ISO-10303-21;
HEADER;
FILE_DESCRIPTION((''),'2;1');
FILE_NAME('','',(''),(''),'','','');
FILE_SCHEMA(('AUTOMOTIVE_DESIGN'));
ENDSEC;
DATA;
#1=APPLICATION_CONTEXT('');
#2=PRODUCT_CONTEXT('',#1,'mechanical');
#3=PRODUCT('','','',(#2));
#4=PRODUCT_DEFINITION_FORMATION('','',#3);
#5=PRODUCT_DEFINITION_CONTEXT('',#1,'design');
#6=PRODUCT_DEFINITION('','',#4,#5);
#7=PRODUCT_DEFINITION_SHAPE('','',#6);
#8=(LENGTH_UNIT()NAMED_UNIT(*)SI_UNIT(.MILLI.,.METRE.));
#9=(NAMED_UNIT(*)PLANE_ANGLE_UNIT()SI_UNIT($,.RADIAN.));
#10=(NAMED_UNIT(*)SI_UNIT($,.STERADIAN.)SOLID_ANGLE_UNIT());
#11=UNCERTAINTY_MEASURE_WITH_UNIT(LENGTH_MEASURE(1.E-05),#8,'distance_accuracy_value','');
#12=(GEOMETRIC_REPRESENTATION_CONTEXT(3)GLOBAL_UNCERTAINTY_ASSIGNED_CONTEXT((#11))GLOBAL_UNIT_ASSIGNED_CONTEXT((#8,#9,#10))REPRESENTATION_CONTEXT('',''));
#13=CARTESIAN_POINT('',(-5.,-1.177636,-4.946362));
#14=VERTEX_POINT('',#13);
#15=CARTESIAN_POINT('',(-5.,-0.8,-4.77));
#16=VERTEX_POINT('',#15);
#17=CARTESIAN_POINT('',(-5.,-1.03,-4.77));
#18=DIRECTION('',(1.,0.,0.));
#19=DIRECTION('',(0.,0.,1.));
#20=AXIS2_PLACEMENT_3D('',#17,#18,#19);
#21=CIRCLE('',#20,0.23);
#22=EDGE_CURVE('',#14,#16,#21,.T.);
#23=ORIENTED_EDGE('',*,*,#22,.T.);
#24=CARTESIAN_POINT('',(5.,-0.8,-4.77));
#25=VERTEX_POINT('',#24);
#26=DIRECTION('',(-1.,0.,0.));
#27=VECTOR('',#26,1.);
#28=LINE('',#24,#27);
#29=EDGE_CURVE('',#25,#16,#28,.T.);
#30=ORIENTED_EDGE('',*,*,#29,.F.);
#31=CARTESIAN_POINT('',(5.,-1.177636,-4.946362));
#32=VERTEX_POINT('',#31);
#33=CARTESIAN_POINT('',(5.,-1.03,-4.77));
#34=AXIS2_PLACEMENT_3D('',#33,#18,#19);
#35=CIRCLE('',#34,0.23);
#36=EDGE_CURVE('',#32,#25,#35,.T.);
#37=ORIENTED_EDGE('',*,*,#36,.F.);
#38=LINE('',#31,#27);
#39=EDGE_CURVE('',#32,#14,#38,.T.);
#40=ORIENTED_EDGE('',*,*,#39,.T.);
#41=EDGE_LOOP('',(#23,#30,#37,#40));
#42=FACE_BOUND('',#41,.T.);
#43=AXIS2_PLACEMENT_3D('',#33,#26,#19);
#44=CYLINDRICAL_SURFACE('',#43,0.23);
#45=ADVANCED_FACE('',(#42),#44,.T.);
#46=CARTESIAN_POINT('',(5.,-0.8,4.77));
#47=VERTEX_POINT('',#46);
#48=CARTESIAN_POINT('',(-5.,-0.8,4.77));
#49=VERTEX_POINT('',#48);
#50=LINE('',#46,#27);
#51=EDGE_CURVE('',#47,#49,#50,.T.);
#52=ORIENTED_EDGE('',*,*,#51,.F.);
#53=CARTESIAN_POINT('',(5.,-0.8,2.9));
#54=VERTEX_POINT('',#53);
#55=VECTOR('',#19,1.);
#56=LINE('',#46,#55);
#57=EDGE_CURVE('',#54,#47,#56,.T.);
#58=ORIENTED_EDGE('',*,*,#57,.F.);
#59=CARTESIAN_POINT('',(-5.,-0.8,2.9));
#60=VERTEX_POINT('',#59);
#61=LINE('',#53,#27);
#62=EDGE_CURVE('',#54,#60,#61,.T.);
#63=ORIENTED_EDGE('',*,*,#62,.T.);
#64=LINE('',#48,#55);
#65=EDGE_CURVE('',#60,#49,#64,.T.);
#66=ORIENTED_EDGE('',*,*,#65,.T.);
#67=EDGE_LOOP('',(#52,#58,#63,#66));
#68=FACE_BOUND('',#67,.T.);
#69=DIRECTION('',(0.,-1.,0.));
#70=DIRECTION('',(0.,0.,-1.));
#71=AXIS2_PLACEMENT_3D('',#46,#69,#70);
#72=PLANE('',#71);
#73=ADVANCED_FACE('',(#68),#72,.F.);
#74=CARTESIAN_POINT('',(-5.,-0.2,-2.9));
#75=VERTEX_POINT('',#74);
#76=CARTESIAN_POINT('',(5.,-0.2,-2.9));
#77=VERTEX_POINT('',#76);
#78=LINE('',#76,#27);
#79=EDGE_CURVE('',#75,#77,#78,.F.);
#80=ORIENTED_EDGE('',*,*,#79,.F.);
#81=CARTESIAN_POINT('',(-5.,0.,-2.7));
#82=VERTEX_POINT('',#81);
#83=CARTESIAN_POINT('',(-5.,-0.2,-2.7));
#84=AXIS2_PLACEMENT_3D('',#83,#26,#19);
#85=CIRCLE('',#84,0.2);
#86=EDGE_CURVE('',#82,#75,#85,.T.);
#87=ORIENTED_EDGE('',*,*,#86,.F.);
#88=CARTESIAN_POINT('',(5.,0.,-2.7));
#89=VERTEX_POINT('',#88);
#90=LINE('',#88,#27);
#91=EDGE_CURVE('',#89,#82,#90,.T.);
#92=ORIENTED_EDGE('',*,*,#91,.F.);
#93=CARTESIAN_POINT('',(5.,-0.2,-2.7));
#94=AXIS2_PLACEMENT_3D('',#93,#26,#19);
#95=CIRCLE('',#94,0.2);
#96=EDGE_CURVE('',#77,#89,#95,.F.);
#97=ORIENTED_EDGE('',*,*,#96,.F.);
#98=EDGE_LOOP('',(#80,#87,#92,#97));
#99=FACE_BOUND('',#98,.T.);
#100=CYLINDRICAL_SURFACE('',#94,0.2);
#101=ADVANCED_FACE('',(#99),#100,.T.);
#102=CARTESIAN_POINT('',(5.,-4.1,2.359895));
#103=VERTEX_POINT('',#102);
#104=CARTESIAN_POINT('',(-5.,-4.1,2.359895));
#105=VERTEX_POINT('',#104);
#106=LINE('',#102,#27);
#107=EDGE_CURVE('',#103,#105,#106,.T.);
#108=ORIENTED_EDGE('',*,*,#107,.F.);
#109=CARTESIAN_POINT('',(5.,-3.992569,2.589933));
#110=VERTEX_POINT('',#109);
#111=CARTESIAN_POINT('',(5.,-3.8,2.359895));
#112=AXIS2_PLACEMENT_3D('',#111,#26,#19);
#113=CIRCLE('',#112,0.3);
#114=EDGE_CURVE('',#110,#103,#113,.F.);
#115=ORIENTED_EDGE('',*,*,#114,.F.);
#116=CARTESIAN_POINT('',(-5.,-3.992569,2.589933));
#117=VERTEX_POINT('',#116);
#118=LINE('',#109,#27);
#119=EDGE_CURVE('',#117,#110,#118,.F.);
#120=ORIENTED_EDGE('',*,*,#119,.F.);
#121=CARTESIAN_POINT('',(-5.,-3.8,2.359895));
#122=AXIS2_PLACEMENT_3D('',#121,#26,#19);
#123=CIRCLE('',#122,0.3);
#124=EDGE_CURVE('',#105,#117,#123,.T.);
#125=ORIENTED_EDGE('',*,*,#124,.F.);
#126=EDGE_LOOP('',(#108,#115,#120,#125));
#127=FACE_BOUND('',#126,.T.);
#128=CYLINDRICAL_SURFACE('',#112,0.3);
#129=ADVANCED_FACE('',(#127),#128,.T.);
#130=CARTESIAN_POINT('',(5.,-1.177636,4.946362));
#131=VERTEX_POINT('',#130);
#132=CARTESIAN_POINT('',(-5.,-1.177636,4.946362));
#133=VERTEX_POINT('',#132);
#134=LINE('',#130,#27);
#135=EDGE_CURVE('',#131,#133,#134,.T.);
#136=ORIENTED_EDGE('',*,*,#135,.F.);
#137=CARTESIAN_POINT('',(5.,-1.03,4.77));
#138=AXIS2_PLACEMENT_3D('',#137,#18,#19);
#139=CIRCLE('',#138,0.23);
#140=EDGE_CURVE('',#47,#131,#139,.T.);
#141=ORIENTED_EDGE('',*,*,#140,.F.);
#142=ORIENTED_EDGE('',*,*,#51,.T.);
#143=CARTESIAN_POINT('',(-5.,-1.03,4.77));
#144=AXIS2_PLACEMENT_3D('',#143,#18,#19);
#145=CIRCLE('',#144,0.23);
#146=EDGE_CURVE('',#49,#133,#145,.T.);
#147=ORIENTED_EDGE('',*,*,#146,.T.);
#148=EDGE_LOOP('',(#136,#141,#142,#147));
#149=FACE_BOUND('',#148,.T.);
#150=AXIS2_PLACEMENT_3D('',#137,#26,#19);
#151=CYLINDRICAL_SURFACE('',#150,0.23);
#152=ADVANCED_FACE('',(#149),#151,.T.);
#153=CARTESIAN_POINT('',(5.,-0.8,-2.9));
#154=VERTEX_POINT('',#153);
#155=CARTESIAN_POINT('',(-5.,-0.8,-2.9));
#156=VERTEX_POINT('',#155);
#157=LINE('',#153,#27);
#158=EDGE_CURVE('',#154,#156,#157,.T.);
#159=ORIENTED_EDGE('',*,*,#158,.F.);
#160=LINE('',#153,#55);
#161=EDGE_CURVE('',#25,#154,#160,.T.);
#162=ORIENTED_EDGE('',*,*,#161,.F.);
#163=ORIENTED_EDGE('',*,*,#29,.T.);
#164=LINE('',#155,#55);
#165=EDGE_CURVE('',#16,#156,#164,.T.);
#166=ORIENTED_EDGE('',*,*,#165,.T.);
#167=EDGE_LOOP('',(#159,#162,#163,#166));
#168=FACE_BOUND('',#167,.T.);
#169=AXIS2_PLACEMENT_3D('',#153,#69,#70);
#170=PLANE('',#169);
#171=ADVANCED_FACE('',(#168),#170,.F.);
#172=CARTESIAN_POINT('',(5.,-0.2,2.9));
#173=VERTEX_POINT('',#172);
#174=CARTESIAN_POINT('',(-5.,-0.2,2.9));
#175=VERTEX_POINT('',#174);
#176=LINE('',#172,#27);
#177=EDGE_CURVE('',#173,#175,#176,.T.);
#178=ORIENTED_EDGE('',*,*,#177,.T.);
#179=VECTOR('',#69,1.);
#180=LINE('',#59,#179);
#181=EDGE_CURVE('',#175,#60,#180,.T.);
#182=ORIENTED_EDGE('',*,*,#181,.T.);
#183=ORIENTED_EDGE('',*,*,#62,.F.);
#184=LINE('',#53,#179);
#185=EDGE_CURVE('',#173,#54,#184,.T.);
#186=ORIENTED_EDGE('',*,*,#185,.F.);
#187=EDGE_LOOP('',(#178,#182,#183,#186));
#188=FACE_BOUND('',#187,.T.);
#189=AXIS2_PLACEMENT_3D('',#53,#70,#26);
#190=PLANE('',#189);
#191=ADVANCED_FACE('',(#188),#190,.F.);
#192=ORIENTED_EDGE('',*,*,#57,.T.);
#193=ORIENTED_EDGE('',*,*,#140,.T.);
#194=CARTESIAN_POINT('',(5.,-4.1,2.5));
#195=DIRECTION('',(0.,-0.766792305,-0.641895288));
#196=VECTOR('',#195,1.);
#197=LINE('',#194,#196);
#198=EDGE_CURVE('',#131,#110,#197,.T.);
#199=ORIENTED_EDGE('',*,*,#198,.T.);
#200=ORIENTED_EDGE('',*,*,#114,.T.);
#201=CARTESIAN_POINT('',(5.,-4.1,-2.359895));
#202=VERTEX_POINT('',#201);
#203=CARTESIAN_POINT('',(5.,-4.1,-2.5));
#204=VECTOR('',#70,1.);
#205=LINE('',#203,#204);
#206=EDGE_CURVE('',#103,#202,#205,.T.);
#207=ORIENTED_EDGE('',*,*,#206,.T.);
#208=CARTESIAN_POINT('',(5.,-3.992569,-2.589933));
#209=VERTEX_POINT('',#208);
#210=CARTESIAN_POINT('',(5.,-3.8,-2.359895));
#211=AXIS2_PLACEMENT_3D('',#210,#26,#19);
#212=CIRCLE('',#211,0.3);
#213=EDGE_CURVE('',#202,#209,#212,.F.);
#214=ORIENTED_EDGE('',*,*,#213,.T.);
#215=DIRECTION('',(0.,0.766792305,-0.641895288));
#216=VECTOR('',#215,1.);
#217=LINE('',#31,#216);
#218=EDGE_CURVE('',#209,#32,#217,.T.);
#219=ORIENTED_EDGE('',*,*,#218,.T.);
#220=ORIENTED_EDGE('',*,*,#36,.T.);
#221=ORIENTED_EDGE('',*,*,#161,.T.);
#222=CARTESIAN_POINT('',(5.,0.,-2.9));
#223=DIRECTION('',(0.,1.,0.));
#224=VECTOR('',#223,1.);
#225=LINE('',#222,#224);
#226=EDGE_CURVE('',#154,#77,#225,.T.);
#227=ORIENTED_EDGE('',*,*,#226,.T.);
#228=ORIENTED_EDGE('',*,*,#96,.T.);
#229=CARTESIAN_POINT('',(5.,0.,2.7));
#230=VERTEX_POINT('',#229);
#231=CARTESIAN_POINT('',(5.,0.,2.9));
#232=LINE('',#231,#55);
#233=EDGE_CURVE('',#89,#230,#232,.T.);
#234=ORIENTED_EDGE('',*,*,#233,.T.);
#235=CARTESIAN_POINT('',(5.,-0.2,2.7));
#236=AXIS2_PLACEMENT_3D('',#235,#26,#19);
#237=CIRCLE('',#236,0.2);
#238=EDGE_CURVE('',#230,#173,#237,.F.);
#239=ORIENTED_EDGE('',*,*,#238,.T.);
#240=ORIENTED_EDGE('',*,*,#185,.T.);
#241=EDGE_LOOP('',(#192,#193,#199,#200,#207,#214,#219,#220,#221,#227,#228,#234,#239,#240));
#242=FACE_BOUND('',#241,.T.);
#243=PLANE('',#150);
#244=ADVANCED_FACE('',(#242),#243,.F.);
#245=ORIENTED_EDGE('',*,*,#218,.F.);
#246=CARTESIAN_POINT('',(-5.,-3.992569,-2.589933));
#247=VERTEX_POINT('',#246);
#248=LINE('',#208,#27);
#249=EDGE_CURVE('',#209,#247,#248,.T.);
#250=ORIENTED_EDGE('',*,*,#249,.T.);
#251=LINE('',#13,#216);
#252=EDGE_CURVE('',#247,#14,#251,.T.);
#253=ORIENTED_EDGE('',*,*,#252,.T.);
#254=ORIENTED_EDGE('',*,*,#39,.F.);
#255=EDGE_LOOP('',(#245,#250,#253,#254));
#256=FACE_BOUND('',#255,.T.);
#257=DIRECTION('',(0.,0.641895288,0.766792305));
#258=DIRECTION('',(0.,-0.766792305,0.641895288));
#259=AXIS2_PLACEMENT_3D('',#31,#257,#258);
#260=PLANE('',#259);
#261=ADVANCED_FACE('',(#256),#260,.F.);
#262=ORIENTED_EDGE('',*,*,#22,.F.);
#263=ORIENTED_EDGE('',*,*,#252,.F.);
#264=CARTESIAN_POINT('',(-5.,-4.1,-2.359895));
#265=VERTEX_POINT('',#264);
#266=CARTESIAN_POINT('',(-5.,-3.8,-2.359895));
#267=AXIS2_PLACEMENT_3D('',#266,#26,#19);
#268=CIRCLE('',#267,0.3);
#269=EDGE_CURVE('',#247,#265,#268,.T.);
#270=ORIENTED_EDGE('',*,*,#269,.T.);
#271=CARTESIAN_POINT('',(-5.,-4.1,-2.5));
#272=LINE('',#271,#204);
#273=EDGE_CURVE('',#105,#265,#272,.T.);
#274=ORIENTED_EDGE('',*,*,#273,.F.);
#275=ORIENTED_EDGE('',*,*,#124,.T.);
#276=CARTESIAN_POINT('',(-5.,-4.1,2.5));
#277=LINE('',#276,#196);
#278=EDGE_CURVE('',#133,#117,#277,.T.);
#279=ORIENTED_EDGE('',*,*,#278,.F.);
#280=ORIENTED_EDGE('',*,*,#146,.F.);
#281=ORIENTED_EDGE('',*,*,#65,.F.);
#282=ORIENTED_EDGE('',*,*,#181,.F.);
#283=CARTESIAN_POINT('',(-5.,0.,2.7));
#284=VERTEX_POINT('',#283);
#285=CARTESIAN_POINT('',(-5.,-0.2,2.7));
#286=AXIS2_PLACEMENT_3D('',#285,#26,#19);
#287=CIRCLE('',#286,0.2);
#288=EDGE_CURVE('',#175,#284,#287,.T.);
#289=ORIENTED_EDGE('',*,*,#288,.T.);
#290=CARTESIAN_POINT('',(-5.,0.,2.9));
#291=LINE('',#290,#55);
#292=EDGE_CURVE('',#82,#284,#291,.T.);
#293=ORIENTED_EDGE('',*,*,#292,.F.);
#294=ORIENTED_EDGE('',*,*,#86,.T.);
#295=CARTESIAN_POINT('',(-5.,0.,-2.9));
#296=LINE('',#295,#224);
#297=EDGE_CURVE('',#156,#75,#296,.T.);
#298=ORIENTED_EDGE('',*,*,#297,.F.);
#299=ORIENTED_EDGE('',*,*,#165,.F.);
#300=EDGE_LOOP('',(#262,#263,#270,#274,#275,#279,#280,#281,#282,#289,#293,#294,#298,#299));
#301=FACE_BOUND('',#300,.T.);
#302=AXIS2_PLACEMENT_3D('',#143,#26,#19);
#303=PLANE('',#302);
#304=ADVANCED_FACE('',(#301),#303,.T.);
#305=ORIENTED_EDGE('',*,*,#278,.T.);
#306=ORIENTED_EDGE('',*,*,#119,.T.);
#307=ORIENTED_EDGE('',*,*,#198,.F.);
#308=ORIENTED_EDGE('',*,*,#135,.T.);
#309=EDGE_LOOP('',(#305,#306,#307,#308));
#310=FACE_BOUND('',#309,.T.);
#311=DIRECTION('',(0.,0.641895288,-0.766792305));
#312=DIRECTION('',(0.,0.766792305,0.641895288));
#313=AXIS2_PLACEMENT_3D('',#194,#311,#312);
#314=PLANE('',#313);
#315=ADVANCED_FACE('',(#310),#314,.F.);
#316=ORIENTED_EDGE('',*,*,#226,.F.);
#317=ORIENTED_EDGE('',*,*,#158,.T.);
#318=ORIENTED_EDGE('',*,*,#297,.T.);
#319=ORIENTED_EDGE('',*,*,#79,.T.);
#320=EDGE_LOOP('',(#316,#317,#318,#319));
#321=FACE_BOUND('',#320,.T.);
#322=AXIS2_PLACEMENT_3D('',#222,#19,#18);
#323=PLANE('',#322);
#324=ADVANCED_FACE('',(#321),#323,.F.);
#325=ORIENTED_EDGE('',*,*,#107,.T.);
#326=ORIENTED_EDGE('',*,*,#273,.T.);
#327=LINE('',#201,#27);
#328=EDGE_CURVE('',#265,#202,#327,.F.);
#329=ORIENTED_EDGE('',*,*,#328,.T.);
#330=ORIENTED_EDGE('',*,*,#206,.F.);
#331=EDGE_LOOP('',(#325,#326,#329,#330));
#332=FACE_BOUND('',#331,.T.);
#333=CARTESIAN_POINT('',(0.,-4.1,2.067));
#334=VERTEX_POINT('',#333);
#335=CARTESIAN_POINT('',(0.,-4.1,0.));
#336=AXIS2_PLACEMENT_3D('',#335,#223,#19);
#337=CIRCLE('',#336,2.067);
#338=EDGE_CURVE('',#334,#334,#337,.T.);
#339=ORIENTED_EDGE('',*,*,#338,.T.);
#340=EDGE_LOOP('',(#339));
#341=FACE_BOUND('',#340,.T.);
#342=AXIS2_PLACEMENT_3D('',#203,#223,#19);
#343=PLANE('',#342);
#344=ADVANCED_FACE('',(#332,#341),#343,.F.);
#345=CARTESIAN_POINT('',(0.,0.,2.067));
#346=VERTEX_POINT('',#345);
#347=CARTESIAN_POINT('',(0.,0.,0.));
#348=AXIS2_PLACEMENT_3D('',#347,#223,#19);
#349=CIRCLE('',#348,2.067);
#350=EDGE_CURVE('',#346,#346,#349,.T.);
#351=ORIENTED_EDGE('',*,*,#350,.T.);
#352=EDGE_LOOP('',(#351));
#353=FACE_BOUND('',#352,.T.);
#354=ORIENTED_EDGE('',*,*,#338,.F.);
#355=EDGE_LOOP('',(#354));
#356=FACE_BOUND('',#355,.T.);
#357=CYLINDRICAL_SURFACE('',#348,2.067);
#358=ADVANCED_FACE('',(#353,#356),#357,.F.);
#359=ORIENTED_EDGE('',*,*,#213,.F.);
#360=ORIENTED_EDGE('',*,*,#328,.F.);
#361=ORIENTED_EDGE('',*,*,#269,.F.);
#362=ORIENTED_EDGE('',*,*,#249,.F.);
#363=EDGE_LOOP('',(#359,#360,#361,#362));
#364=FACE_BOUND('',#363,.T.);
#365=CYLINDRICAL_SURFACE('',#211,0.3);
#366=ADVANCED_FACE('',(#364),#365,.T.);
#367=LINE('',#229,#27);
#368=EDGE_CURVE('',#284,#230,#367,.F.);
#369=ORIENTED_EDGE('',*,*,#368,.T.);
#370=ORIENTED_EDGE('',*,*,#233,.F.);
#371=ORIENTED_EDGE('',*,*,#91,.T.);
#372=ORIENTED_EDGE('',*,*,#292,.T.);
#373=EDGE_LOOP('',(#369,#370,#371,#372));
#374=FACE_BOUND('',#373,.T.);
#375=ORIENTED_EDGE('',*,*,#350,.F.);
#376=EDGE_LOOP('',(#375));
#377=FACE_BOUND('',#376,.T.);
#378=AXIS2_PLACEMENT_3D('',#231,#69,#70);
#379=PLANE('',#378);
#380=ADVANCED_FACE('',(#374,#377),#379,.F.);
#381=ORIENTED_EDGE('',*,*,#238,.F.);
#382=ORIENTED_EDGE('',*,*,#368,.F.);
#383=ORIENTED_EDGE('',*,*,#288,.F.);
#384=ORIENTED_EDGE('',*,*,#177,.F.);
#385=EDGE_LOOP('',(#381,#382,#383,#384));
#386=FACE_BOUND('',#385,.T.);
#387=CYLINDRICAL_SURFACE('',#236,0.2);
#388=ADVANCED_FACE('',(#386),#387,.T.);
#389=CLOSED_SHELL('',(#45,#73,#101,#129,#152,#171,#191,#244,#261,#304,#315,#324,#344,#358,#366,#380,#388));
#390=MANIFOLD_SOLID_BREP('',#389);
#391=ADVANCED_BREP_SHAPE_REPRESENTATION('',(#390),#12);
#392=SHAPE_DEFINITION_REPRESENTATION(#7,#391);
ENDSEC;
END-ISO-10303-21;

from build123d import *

# Parameters (mm, degrees)
BOSS_EXTRUDE1_DEPTH = 10
FILLET1_R           = 0.3
FILLET2_R           = 0.2
TAPPED_HOLE1_D      = 4.134


with BuildPart() as part:
    # Sketch1 → Boss-Extrude1 (new body)
    with BuildSketch(Plane(origin=(-5, 0, 0), x_dir=(0, 0, -1), z_dir=(1, 0, 0))):
        with BuildLine():
            Line((2.5, -4.1), (-2.5, -4.1))
            Line((-2.5, -4.1), (-4.94636223, -1.177635916))
            ThreePointArc((-4.94636223, -1.177635916), (-4.978394171, -0.932676469), (-4.77, -0.8))
            Line((-4.77, -0.8), (-2.9, -0.8))
            Line((-2.9, -0.8), (-2.9, 0))
            Line((-2.9, 0), (2.9, 0))
            Line((2.9, 0), (2.9, -0.8))
            Line((2.9, -0.8), (4.77, -0.8))
            ThreePointArc((4.77, -0.8), (4.978394171, -0.932676469), (4.94636223, -1.177635916))
            Line((4.94636223, -1.177635916), (2.5, -4.1))
        make_face()
    extrude(amount=BOSS_EXTRUDE1_DEPTH)

    # Fillet1
    fillet1_edges = [part.edges().sort_by_distance(p)[0] for p in [
        (0, -4.1, -2.5),
        (0, -4.1, 2.5),
    ]]
    fillet(fillet1_edges, radius=FILLET1_R)

    # Fillet2
    fillet2_edges = [part.edges().sort_by_distance(p)[0] for p in [
        (0, 0, 2.9),
        (0, 0, -2.9),
    ]]
    fillet(fillet2_edges, radius=FILLET2_R)

    # Tapped Hole1 (through all)
    with Locations(Plane(origin=(0, 0, 0), x_dir=(1, 0, 0), z_dir=(0, 1, 0))):
        with Locations((0, 0)):
            Hole(TAPPED_HOLE1_D / 2)


solid = part.part
